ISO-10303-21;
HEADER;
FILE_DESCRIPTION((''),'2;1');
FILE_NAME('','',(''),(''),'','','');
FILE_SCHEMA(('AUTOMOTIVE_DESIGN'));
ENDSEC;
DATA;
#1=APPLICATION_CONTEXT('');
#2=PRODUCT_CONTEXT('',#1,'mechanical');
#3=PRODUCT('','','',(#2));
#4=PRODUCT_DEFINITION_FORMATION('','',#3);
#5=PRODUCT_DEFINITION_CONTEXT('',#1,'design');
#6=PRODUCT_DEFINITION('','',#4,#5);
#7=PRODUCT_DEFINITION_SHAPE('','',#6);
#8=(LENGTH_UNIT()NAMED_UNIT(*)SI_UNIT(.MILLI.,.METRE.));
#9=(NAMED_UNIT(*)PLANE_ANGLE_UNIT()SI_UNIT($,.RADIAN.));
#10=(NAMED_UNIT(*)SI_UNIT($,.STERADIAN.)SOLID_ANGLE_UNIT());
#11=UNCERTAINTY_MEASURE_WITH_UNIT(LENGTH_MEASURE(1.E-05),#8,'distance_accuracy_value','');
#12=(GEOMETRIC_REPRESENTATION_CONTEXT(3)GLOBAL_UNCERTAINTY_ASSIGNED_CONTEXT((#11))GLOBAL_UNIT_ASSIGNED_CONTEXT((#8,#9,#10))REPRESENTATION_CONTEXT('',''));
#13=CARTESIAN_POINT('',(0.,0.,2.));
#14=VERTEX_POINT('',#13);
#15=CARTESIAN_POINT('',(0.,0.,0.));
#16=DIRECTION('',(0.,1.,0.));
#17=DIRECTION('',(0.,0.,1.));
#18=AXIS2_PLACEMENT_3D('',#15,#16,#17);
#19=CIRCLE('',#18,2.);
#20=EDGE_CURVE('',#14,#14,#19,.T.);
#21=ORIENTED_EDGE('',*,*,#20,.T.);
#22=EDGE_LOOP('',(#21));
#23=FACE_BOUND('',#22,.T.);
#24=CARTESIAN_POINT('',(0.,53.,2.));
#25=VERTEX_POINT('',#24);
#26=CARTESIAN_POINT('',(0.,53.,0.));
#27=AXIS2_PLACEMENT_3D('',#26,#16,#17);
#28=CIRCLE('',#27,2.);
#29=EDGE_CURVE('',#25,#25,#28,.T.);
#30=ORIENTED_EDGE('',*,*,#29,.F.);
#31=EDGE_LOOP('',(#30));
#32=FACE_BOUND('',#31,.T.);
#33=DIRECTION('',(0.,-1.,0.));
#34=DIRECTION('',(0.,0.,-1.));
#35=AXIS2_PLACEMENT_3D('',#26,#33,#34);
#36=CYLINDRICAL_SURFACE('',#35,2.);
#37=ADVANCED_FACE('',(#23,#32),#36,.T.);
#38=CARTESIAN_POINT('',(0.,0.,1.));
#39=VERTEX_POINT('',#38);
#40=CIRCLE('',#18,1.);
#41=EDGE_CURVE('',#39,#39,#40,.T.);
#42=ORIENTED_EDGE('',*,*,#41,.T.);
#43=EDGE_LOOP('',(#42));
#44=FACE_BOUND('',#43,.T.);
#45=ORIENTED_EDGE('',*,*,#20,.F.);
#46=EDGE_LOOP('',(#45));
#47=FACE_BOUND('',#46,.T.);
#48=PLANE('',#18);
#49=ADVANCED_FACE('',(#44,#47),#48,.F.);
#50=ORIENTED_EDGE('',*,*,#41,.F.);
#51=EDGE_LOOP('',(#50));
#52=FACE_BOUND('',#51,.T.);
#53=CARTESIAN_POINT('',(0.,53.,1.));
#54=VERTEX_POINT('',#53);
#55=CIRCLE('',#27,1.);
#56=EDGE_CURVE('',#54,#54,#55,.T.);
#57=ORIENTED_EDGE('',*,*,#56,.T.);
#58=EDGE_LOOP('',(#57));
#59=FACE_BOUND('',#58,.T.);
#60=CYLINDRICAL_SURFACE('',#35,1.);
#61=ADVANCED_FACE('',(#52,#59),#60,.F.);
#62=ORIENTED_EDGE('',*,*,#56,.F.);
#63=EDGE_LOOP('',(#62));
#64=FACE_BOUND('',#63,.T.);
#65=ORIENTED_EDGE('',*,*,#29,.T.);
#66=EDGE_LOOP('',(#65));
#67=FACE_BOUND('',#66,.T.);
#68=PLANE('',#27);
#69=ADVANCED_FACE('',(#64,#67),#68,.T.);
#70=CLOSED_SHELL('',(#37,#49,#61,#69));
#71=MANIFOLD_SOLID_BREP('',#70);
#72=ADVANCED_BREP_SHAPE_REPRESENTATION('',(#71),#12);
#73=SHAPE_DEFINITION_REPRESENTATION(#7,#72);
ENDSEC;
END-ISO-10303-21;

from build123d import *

# Parameters (mm, degrees)
SKETCH1_R           = 2
SKETCH1_R_2         = 1
BOSS_EXTRUDE1_DEPTH = 53


with BuildPart() as part:
    # Sketch1 → Boss-Extrude1 (new body)
    with BuildSketch(Plane(origin=(0, 0, 0), x_dir=(1, 0, 0), z_dir=(0, 1, 0))):
        with Locations(Location((0, 0, 0), (0, 0, 270))):
            Circle(SKETCH1_R)
        with Locations(Location((0, 0, 0), (0, 0, 270))):
            Circle(SKETCH1_R_2, mode=Mode.SUBTRACT)
    extrude(amount=BOSS_EXTRUDE1_DEPTH)


solid = part.part
